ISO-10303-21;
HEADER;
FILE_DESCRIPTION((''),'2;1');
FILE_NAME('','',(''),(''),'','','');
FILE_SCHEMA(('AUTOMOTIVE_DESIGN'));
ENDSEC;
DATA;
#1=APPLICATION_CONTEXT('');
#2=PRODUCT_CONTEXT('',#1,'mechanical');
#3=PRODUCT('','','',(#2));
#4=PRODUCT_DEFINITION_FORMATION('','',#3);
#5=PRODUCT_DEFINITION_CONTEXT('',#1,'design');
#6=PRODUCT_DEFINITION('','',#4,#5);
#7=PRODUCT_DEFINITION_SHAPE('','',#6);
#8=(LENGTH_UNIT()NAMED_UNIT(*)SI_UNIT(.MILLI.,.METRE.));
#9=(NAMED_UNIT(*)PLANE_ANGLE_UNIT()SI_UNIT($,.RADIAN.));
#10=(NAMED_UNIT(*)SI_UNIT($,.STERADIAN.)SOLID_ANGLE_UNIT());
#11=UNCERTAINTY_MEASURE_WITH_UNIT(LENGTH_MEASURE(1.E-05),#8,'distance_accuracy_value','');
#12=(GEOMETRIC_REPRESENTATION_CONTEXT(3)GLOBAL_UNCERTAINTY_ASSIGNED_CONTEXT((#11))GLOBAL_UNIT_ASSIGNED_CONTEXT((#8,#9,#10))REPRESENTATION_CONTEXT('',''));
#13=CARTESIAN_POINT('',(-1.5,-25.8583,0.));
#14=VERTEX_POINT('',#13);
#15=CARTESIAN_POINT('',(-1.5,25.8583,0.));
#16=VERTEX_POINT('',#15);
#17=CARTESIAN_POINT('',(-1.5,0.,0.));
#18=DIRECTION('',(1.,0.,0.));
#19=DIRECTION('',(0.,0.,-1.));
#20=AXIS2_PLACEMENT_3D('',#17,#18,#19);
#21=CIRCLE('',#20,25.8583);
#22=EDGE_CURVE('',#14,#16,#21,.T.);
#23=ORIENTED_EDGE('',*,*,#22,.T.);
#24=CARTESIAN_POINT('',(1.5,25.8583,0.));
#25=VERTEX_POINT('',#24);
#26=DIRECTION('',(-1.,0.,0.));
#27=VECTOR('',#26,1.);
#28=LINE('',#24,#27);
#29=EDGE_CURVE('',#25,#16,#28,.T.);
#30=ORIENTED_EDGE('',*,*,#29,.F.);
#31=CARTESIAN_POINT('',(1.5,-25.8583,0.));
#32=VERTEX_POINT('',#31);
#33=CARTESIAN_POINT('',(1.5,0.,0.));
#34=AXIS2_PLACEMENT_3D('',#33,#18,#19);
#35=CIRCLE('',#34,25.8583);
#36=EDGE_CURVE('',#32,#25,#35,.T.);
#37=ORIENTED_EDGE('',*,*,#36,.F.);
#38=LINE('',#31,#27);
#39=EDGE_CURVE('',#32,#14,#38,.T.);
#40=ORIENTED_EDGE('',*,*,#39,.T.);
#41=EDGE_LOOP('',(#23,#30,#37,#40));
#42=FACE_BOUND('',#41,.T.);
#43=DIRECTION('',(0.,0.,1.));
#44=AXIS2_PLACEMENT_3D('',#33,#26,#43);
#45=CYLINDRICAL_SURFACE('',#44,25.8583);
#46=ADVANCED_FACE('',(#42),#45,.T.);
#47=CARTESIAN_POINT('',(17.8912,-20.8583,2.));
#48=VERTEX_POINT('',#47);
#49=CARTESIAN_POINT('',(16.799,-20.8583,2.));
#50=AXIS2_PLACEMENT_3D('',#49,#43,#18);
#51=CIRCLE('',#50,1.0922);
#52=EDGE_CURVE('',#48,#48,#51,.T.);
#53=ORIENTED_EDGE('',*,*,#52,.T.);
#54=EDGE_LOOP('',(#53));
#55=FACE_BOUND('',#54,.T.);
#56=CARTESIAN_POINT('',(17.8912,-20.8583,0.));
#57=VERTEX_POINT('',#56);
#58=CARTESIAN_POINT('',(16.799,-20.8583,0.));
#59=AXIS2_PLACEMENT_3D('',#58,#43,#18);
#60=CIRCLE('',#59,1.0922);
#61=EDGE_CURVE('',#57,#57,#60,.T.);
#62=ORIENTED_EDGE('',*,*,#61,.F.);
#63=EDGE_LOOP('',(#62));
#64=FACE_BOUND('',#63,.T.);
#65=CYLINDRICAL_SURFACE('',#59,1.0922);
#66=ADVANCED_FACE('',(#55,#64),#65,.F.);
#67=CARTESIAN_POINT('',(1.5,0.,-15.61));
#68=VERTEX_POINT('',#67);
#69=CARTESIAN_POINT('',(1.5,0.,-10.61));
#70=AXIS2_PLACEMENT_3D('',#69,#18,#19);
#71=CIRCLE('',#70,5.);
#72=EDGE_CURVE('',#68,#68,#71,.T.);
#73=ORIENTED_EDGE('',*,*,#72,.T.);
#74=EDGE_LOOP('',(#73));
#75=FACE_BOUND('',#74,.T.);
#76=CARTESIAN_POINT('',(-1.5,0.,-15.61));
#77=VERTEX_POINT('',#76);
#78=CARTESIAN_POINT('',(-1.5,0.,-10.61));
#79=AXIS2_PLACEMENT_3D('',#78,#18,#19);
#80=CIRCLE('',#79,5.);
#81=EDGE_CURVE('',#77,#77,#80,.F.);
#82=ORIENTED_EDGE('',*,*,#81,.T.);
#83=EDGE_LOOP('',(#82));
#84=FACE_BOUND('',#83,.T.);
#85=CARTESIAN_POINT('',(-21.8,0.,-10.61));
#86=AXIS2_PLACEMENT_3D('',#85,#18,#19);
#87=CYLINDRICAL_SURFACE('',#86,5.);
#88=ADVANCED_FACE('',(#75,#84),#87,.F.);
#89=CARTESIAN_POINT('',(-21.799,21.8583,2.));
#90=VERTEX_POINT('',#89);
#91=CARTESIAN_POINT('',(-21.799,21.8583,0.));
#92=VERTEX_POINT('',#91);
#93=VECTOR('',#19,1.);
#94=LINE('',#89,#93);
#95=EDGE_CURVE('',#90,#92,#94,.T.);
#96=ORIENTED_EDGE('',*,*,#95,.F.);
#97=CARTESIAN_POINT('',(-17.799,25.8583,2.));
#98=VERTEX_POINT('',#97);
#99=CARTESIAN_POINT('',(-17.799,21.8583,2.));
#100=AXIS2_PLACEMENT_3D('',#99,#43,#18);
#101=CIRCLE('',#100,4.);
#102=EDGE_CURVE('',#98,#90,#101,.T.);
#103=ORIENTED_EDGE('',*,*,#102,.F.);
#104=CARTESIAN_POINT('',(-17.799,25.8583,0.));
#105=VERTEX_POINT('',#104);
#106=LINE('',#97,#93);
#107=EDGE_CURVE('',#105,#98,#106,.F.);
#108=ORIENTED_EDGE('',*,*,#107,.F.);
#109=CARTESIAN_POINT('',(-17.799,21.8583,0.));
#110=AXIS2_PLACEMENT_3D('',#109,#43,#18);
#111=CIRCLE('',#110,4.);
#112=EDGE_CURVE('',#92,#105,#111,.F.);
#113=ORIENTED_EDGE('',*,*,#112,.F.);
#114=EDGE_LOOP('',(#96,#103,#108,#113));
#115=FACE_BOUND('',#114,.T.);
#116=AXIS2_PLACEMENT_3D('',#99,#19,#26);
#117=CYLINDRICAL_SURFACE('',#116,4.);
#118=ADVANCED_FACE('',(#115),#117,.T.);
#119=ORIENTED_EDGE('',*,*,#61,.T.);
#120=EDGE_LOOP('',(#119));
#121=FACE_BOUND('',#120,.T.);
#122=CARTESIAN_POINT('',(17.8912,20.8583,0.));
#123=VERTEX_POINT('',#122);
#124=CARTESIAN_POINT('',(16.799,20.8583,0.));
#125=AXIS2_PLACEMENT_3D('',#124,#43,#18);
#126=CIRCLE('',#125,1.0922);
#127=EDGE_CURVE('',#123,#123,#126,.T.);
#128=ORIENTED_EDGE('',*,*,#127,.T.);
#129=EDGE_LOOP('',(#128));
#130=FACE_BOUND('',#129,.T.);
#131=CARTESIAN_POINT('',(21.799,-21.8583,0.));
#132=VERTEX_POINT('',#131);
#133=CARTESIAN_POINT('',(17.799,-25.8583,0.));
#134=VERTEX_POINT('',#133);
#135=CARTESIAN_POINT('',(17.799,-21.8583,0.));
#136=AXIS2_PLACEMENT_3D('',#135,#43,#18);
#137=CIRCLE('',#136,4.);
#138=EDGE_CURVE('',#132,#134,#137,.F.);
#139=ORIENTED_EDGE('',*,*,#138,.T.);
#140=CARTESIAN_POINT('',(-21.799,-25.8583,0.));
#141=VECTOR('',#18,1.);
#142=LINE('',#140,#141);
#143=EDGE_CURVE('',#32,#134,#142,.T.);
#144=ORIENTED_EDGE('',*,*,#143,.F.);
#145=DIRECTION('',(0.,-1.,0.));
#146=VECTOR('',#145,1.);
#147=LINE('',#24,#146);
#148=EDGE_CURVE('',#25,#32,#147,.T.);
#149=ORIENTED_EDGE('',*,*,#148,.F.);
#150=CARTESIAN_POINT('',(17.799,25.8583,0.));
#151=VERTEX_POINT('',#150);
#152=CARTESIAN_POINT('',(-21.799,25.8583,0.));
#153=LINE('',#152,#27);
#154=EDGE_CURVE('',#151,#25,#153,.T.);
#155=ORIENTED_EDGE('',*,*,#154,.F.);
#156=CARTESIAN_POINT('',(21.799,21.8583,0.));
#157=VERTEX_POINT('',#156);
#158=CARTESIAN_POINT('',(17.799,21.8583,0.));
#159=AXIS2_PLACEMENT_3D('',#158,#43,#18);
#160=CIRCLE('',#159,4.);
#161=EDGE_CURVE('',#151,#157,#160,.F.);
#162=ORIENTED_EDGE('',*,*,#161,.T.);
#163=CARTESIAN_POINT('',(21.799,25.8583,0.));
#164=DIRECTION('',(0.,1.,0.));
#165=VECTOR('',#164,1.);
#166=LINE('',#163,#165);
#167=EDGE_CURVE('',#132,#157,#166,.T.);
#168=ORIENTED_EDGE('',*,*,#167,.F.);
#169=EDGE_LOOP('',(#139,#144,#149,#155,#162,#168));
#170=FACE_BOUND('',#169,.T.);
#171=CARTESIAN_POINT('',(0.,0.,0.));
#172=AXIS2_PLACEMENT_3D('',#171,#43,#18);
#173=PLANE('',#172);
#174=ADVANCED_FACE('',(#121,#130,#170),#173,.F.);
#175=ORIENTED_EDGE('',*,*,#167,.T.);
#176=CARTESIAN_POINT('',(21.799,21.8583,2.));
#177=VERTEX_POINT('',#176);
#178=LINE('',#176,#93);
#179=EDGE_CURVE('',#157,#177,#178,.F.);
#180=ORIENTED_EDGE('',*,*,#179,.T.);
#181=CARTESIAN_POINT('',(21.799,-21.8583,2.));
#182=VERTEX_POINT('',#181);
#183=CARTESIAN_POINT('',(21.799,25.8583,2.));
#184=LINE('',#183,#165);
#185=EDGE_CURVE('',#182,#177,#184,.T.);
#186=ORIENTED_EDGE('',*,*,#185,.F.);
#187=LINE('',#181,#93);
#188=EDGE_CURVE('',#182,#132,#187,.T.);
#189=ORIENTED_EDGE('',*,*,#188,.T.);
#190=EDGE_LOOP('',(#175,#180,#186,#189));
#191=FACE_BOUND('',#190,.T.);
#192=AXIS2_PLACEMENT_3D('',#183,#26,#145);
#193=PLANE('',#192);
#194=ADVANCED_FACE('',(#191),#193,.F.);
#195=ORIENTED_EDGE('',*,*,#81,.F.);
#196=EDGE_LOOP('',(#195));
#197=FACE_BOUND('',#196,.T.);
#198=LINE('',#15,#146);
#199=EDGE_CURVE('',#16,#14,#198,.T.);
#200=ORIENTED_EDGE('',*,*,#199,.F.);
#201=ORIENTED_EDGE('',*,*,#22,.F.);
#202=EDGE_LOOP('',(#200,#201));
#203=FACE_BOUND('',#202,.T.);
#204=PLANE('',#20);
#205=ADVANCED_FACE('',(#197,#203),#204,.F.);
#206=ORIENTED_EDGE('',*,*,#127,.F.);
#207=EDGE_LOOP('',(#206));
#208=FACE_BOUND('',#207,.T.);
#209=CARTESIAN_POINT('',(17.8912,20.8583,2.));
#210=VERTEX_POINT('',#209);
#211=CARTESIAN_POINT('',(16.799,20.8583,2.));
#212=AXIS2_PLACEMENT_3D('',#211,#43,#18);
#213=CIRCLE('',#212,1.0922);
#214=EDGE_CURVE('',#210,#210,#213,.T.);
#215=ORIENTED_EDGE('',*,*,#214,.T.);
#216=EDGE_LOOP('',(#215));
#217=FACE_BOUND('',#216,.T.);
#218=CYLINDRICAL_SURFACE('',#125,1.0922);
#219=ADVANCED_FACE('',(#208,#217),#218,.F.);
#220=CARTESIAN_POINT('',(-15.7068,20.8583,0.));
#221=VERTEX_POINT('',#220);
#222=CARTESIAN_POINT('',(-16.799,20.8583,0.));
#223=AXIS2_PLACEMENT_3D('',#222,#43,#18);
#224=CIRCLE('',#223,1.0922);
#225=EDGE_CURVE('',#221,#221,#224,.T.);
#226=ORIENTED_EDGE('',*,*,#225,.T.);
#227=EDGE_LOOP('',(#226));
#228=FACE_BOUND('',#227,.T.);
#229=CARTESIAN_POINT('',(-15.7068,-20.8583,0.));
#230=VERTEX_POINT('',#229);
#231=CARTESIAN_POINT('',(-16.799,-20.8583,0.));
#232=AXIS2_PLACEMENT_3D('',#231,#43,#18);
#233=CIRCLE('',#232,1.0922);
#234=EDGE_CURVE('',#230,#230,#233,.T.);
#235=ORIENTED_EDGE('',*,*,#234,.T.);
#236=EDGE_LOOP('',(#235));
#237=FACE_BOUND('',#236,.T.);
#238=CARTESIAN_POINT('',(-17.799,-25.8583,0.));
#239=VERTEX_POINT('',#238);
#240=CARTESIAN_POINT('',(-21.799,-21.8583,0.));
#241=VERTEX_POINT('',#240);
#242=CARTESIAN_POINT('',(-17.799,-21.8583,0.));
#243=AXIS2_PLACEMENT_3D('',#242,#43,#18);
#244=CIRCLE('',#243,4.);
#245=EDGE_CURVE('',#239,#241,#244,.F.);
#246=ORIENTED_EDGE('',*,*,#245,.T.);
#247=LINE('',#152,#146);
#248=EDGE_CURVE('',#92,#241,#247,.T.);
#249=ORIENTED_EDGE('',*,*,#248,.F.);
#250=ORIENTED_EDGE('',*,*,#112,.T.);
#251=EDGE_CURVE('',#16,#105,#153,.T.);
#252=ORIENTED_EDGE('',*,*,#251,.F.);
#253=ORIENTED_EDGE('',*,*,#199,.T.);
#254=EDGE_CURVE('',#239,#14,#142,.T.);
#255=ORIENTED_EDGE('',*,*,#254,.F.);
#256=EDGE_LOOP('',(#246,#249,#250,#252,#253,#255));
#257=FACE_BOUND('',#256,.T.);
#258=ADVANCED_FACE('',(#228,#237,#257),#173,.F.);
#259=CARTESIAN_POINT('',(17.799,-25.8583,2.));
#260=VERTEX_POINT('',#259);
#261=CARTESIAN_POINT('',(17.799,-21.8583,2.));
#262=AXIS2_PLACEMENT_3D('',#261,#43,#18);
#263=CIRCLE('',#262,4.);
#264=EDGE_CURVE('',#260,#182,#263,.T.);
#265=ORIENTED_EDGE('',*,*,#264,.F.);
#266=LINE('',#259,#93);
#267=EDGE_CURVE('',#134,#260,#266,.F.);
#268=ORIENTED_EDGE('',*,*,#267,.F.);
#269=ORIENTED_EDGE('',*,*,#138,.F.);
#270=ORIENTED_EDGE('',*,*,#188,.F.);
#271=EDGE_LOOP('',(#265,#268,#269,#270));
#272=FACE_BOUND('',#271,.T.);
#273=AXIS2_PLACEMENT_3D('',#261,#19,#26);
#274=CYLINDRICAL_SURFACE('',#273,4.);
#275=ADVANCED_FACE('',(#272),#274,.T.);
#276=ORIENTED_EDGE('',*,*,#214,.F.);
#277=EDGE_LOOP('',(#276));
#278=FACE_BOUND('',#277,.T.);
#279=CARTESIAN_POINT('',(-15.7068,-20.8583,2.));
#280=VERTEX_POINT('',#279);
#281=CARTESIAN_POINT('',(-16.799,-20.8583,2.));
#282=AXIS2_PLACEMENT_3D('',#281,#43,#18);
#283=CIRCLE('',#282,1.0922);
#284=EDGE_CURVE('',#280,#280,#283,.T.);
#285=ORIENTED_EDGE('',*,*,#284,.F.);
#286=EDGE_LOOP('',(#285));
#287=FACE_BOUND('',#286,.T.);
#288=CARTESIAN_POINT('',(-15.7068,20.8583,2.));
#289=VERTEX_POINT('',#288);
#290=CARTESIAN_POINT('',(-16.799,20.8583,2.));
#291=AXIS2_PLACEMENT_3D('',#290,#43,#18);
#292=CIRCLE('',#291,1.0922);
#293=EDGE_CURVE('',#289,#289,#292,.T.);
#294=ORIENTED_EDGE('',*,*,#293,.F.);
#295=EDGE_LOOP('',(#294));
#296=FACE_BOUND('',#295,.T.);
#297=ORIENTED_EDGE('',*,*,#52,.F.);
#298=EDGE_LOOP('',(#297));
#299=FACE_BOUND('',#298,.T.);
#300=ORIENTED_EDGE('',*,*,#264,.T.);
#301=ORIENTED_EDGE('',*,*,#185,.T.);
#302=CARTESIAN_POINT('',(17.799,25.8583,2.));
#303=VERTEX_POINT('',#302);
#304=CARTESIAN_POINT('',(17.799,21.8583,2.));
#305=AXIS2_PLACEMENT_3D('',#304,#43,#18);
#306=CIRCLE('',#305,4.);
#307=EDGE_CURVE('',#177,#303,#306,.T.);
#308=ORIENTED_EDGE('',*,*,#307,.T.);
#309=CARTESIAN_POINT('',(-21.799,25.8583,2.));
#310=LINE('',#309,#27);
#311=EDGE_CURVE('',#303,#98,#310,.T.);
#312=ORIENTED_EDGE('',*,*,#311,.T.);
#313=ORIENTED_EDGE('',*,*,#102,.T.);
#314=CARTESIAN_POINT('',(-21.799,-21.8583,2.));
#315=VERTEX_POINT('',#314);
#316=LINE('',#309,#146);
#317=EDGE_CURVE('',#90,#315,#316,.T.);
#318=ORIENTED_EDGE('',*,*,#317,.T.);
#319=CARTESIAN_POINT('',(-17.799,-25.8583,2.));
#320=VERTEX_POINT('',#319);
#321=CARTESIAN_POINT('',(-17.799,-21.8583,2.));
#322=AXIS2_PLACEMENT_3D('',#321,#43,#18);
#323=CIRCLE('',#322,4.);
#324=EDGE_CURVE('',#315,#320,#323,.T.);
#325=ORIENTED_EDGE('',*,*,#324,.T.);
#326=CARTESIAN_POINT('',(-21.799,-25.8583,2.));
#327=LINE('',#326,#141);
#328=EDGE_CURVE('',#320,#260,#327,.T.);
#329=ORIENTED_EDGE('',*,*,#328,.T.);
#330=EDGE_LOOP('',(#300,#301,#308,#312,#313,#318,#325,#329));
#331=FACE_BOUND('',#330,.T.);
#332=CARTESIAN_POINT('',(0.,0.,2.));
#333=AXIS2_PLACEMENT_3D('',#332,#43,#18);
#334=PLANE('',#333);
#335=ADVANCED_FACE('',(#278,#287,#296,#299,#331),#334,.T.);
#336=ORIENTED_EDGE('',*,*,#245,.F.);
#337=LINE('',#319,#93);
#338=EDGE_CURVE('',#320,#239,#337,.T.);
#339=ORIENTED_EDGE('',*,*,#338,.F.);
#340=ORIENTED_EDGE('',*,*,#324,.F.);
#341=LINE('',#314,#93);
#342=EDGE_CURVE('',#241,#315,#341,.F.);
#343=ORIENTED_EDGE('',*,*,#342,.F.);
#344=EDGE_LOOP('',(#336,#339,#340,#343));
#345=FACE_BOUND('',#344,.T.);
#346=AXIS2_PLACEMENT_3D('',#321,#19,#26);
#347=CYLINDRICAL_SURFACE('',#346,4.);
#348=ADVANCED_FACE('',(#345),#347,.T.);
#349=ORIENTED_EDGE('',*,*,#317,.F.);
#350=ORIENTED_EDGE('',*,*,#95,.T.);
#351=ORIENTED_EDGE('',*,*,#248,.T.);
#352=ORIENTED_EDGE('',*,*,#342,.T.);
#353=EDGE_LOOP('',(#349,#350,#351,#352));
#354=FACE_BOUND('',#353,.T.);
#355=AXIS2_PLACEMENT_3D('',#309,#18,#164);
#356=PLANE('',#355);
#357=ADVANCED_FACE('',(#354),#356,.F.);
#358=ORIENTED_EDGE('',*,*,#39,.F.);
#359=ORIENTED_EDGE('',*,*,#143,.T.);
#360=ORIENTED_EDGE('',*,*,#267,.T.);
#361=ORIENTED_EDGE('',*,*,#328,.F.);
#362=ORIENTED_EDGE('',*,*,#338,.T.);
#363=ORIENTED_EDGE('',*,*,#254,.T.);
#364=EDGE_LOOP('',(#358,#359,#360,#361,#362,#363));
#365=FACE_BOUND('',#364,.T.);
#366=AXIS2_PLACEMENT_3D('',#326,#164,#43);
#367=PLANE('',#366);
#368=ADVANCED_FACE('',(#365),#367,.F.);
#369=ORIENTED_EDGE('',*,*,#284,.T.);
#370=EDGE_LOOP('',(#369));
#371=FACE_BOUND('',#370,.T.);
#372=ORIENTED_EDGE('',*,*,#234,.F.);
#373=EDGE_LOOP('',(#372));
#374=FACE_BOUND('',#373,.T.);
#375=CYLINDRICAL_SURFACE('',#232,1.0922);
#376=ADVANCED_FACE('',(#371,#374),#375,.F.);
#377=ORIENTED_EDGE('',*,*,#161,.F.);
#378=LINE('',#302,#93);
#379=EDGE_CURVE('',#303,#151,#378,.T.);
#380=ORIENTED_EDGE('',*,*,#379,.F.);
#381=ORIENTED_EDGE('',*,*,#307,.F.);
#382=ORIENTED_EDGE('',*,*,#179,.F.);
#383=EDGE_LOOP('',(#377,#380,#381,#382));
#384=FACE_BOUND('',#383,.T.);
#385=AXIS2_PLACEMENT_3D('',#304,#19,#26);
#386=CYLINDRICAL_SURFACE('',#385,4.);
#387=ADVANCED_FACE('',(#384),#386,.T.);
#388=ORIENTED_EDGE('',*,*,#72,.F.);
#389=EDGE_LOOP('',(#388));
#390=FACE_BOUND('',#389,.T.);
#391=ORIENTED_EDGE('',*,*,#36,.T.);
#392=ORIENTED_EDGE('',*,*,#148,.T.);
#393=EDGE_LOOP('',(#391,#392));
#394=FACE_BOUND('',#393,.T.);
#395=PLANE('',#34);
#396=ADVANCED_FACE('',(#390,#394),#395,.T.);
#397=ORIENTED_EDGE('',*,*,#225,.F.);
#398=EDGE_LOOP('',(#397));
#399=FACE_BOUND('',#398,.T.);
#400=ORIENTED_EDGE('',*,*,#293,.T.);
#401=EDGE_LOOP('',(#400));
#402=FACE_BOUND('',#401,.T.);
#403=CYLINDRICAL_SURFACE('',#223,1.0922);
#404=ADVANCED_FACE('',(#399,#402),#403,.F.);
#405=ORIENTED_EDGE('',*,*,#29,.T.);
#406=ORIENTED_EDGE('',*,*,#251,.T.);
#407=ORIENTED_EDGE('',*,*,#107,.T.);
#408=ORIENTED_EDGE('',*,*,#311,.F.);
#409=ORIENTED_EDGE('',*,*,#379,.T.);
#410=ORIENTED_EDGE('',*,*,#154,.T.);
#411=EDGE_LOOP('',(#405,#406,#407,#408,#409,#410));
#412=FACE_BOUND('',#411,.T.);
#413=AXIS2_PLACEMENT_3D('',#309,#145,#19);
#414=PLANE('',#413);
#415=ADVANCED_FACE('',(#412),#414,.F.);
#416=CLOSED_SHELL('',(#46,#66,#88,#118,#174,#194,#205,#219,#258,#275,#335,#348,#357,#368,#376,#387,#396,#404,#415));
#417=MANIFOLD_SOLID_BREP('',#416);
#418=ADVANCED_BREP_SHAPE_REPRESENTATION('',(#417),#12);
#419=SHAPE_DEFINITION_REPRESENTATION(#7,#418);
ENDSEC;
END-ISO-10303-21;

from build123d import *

# Parameters (mm, degrees)
SKETCH1_W           = 43.598
SKETCH1_H           = 51.7166
BOSS_EXTRUDE1_DEPTH = 2
FILLET1_R           = 4
SKETCH2_R           = 1.0922
CUT_EXTRUDE1_DEPTH  = 2
BOSS_EXTRUDE2_DEPTH = 1.5
CUT_EXTRUDE2_REACH  = 45.361
SKETCH6_R           = 5


with BuildPart() as part:
    # Sketch1 → Boss-Extrude1 (new body)
    with BuildSketch(Plane.XY):
        Rectangle(SKETCH1_W, SKETCH1_H)
    extrude(amount=BOSS_EXTRUDE1_DEPTH)

    # Fillet1
    fillet1_edges = [part.edges().sort_by_distance(p)[0] for p in [
        (21.799, -25.8583, 1),
        (-21.799, -25.8583, 1),
        (-21.799, 25.8583, 1),
        (21.799, 25.8583, 1),
    ]]
    fillet(fillet1_edges, radius=FILLET1_R)

    # Sketch2 → Cut-Extrude1 (cut)
    with BuildSketch(Plane.XY.offset(2)):
        with Locations((-16.799, 20.8583)):
            Circle(SKETCH2_R)
        with Locations((16.799, 20.8583)):
            Circle(SKETCH2_R)
        with Locations((-16.799, -20.8583)):
            Circle(SKETCH2_R)
        with Locations((16.799, -20.8583)):
            Circle(SKETCH2_R)
    extrude(amount=-CUT_EXTRUDE1_DEPTH, mode=Mode.SUBTRACT)

    # Sketch5 → Boss-Extrude2 (add, symmetric)
    with BuildSketch(Plane(origin=(0, 0, 0), x_dir=(0, 0, -1), z_dir=(1, 0, 0))):
        with BuildLine():
            Line((0, 25.8583), (0, -25.8583))
            ThreePointArc((0, -25.8583), (25.8583, 0), (0, 25.8583))
        make_face()
    extrude(amount=BOSS_EXTRUDE2_DEPTH, both=True)

    # Sketch6 → Cut-Extrude2 (cut, up to next)
    with BuildSketch(Plane(origin=(1.5, 0, 0), x_dir=(0, 0, -1), z_dir=(1, 0, 0)), mode=Mode.PRIVATE) as cut_extrude2_sk1:
        with Locations((10.61, 0)):
            Circle(SKETCH6_R)
    cut_extrude2_tool1 = extrude(cut_extrude2_sk1.sketch, amount=-CUT_EXTRUDE2_REACH, mode=Mode.PRIVATE) & part.part
    add(cut_extrude2_tool1.solids().sort_by_distance((1.5, 0, -10.61))[0], mode=Mode.SUBTRACT)


solid = part.part
